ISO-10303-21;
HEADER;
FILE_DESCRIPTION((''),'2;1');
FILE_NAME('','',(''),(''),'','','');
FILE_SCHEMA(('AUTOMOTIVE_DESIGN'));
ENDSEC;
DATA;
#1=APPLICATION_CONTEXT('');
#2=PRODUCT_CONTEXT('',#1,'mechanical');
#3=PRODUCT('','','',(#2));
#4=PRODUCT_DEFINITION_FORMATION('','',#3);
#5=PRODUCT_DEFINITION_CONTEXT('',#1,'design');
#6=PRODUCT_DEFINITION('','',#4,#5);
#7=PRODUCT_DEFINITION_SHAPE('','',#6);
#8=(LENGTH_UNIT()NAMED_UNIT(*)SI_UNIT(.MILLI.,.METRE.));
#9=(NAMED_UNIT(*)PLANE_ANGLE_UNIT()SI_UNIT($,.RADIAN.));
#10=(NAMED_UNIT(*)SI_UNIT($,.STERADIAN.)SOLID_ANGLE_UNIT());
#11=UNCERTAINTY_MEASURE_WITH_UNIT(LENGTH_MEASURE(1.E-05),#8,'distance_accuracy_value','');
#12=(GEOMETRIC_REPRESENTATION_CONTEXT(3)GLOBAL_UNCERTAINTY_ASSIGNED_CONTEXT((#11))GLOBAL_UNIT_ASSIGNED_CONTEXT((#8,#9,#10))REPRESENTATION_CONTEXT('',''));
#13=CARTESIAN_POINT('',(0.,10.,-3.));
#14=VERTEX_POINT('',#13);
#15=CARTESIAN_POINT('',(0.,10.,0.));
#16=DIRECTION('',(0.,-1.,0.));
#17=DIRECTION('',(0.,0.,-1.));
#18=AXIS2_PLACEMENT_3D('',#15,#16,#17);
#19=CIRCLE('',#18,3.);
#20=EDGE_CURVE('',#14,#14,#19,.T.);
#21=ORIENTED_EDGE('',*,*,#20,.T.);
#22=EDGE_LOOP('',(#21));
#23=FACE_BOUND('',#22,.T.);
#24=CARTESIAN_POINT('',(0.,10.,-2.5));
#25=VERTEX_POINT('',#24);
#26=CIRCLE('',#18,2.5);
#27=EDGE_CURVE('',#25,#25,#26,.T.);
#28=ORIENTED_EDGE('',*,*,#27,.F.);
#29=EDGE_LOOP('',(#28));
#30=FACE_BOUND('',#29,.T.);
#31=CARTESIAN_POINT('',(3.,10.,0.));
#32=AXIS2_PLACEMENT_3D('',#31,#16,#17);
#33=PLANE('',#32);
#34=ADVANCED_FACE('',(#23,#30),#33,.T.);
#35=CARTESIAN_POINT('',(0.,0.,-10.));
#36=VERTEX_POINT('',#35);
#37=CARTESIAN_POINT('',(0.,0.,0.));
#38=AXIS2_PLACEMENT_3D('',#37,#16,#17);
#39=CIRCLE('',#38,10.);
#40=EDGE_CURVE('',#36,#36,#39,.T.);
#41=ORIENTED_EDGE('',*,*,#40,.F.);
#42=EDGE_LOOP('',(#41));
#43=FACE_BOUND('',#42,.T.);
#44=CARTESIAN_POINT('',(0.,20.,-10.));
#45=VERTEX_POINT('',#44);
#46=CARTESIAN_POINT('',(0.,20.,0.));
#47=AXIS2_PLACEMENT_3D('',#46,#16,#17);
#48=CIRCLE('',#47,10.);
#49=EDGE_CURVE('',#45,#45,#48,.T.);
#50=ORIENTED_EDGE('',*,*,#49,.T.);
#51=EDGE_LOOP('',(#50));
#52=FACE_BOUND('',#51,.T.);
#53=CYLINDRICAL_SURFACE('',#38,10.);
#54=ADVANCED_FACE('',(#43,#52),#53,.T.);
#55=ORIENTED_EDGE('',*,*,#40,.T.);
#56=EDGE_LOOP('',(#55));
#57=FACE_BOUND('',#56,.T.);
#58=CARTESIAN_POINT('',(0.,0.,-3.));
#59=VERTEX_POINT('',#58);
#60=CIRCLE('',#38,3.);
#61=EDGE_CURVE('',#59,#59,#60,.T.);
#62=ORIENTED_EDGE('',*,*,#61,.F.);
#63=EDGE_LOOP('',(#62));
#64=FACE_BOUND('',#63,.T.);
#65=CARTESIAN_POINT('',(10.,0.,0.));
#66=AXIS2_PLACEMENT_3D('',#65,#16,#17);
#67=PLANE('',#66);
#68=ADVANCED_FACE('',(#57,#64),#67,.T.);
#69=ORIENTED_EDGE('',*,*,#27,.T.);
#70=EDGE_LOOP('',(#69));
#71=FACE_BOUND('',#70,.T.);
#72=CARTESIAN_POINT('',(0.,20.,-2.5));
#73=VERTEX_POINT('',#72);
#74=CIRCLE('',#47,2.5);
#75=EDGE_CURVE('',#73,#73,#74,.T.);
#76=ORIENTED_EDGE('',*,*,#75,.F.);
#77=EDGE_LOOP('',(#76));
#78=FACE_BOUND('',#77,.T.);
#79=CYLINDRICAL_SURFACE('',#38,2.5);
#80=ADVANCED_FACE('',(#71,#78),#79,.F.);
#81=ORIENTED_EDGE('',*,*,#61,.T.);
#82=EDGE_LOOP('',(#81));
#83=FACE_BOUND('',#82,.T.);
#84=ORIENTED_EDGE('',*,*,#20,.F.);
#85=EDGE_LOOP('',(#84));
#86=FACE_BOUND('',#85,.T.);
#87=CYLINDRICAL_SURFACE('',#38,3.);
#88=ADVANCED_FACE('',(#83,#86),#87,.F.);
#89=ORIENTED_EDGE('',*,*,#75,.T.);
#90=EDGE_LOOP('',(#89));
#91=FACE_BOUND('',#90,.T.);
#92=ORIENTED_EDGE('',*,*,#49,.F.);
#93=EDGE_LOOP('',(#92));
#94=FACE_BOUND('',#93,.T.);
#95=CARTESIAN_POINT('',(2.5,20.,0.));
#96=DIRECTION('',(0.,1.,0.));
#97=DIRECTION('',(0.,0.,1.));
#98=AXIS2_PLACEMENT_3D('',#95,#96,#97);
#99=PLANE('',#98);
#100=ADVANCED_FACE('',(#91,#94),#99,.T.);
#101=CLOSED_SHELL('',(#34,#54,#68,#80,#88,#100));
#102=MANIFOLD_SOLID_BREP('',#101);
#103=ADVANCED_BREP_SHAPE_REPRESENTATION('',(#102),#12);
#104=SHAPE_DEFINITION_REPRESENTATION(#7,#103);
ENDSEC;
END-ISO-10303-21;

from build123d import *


with BuildPart() as part:
    # Sketch1 → Revolve1 (revolve)
    with BuildSketch(Plane.XY):
        Polygon((3, 0), (3, 10), (2.5, 10), (2.5, 20), (10, 20), (10, 0), align=None)
    revolve(axis=Axis((0, 0, 0), (0, 1, 0)))


solid = part.part
